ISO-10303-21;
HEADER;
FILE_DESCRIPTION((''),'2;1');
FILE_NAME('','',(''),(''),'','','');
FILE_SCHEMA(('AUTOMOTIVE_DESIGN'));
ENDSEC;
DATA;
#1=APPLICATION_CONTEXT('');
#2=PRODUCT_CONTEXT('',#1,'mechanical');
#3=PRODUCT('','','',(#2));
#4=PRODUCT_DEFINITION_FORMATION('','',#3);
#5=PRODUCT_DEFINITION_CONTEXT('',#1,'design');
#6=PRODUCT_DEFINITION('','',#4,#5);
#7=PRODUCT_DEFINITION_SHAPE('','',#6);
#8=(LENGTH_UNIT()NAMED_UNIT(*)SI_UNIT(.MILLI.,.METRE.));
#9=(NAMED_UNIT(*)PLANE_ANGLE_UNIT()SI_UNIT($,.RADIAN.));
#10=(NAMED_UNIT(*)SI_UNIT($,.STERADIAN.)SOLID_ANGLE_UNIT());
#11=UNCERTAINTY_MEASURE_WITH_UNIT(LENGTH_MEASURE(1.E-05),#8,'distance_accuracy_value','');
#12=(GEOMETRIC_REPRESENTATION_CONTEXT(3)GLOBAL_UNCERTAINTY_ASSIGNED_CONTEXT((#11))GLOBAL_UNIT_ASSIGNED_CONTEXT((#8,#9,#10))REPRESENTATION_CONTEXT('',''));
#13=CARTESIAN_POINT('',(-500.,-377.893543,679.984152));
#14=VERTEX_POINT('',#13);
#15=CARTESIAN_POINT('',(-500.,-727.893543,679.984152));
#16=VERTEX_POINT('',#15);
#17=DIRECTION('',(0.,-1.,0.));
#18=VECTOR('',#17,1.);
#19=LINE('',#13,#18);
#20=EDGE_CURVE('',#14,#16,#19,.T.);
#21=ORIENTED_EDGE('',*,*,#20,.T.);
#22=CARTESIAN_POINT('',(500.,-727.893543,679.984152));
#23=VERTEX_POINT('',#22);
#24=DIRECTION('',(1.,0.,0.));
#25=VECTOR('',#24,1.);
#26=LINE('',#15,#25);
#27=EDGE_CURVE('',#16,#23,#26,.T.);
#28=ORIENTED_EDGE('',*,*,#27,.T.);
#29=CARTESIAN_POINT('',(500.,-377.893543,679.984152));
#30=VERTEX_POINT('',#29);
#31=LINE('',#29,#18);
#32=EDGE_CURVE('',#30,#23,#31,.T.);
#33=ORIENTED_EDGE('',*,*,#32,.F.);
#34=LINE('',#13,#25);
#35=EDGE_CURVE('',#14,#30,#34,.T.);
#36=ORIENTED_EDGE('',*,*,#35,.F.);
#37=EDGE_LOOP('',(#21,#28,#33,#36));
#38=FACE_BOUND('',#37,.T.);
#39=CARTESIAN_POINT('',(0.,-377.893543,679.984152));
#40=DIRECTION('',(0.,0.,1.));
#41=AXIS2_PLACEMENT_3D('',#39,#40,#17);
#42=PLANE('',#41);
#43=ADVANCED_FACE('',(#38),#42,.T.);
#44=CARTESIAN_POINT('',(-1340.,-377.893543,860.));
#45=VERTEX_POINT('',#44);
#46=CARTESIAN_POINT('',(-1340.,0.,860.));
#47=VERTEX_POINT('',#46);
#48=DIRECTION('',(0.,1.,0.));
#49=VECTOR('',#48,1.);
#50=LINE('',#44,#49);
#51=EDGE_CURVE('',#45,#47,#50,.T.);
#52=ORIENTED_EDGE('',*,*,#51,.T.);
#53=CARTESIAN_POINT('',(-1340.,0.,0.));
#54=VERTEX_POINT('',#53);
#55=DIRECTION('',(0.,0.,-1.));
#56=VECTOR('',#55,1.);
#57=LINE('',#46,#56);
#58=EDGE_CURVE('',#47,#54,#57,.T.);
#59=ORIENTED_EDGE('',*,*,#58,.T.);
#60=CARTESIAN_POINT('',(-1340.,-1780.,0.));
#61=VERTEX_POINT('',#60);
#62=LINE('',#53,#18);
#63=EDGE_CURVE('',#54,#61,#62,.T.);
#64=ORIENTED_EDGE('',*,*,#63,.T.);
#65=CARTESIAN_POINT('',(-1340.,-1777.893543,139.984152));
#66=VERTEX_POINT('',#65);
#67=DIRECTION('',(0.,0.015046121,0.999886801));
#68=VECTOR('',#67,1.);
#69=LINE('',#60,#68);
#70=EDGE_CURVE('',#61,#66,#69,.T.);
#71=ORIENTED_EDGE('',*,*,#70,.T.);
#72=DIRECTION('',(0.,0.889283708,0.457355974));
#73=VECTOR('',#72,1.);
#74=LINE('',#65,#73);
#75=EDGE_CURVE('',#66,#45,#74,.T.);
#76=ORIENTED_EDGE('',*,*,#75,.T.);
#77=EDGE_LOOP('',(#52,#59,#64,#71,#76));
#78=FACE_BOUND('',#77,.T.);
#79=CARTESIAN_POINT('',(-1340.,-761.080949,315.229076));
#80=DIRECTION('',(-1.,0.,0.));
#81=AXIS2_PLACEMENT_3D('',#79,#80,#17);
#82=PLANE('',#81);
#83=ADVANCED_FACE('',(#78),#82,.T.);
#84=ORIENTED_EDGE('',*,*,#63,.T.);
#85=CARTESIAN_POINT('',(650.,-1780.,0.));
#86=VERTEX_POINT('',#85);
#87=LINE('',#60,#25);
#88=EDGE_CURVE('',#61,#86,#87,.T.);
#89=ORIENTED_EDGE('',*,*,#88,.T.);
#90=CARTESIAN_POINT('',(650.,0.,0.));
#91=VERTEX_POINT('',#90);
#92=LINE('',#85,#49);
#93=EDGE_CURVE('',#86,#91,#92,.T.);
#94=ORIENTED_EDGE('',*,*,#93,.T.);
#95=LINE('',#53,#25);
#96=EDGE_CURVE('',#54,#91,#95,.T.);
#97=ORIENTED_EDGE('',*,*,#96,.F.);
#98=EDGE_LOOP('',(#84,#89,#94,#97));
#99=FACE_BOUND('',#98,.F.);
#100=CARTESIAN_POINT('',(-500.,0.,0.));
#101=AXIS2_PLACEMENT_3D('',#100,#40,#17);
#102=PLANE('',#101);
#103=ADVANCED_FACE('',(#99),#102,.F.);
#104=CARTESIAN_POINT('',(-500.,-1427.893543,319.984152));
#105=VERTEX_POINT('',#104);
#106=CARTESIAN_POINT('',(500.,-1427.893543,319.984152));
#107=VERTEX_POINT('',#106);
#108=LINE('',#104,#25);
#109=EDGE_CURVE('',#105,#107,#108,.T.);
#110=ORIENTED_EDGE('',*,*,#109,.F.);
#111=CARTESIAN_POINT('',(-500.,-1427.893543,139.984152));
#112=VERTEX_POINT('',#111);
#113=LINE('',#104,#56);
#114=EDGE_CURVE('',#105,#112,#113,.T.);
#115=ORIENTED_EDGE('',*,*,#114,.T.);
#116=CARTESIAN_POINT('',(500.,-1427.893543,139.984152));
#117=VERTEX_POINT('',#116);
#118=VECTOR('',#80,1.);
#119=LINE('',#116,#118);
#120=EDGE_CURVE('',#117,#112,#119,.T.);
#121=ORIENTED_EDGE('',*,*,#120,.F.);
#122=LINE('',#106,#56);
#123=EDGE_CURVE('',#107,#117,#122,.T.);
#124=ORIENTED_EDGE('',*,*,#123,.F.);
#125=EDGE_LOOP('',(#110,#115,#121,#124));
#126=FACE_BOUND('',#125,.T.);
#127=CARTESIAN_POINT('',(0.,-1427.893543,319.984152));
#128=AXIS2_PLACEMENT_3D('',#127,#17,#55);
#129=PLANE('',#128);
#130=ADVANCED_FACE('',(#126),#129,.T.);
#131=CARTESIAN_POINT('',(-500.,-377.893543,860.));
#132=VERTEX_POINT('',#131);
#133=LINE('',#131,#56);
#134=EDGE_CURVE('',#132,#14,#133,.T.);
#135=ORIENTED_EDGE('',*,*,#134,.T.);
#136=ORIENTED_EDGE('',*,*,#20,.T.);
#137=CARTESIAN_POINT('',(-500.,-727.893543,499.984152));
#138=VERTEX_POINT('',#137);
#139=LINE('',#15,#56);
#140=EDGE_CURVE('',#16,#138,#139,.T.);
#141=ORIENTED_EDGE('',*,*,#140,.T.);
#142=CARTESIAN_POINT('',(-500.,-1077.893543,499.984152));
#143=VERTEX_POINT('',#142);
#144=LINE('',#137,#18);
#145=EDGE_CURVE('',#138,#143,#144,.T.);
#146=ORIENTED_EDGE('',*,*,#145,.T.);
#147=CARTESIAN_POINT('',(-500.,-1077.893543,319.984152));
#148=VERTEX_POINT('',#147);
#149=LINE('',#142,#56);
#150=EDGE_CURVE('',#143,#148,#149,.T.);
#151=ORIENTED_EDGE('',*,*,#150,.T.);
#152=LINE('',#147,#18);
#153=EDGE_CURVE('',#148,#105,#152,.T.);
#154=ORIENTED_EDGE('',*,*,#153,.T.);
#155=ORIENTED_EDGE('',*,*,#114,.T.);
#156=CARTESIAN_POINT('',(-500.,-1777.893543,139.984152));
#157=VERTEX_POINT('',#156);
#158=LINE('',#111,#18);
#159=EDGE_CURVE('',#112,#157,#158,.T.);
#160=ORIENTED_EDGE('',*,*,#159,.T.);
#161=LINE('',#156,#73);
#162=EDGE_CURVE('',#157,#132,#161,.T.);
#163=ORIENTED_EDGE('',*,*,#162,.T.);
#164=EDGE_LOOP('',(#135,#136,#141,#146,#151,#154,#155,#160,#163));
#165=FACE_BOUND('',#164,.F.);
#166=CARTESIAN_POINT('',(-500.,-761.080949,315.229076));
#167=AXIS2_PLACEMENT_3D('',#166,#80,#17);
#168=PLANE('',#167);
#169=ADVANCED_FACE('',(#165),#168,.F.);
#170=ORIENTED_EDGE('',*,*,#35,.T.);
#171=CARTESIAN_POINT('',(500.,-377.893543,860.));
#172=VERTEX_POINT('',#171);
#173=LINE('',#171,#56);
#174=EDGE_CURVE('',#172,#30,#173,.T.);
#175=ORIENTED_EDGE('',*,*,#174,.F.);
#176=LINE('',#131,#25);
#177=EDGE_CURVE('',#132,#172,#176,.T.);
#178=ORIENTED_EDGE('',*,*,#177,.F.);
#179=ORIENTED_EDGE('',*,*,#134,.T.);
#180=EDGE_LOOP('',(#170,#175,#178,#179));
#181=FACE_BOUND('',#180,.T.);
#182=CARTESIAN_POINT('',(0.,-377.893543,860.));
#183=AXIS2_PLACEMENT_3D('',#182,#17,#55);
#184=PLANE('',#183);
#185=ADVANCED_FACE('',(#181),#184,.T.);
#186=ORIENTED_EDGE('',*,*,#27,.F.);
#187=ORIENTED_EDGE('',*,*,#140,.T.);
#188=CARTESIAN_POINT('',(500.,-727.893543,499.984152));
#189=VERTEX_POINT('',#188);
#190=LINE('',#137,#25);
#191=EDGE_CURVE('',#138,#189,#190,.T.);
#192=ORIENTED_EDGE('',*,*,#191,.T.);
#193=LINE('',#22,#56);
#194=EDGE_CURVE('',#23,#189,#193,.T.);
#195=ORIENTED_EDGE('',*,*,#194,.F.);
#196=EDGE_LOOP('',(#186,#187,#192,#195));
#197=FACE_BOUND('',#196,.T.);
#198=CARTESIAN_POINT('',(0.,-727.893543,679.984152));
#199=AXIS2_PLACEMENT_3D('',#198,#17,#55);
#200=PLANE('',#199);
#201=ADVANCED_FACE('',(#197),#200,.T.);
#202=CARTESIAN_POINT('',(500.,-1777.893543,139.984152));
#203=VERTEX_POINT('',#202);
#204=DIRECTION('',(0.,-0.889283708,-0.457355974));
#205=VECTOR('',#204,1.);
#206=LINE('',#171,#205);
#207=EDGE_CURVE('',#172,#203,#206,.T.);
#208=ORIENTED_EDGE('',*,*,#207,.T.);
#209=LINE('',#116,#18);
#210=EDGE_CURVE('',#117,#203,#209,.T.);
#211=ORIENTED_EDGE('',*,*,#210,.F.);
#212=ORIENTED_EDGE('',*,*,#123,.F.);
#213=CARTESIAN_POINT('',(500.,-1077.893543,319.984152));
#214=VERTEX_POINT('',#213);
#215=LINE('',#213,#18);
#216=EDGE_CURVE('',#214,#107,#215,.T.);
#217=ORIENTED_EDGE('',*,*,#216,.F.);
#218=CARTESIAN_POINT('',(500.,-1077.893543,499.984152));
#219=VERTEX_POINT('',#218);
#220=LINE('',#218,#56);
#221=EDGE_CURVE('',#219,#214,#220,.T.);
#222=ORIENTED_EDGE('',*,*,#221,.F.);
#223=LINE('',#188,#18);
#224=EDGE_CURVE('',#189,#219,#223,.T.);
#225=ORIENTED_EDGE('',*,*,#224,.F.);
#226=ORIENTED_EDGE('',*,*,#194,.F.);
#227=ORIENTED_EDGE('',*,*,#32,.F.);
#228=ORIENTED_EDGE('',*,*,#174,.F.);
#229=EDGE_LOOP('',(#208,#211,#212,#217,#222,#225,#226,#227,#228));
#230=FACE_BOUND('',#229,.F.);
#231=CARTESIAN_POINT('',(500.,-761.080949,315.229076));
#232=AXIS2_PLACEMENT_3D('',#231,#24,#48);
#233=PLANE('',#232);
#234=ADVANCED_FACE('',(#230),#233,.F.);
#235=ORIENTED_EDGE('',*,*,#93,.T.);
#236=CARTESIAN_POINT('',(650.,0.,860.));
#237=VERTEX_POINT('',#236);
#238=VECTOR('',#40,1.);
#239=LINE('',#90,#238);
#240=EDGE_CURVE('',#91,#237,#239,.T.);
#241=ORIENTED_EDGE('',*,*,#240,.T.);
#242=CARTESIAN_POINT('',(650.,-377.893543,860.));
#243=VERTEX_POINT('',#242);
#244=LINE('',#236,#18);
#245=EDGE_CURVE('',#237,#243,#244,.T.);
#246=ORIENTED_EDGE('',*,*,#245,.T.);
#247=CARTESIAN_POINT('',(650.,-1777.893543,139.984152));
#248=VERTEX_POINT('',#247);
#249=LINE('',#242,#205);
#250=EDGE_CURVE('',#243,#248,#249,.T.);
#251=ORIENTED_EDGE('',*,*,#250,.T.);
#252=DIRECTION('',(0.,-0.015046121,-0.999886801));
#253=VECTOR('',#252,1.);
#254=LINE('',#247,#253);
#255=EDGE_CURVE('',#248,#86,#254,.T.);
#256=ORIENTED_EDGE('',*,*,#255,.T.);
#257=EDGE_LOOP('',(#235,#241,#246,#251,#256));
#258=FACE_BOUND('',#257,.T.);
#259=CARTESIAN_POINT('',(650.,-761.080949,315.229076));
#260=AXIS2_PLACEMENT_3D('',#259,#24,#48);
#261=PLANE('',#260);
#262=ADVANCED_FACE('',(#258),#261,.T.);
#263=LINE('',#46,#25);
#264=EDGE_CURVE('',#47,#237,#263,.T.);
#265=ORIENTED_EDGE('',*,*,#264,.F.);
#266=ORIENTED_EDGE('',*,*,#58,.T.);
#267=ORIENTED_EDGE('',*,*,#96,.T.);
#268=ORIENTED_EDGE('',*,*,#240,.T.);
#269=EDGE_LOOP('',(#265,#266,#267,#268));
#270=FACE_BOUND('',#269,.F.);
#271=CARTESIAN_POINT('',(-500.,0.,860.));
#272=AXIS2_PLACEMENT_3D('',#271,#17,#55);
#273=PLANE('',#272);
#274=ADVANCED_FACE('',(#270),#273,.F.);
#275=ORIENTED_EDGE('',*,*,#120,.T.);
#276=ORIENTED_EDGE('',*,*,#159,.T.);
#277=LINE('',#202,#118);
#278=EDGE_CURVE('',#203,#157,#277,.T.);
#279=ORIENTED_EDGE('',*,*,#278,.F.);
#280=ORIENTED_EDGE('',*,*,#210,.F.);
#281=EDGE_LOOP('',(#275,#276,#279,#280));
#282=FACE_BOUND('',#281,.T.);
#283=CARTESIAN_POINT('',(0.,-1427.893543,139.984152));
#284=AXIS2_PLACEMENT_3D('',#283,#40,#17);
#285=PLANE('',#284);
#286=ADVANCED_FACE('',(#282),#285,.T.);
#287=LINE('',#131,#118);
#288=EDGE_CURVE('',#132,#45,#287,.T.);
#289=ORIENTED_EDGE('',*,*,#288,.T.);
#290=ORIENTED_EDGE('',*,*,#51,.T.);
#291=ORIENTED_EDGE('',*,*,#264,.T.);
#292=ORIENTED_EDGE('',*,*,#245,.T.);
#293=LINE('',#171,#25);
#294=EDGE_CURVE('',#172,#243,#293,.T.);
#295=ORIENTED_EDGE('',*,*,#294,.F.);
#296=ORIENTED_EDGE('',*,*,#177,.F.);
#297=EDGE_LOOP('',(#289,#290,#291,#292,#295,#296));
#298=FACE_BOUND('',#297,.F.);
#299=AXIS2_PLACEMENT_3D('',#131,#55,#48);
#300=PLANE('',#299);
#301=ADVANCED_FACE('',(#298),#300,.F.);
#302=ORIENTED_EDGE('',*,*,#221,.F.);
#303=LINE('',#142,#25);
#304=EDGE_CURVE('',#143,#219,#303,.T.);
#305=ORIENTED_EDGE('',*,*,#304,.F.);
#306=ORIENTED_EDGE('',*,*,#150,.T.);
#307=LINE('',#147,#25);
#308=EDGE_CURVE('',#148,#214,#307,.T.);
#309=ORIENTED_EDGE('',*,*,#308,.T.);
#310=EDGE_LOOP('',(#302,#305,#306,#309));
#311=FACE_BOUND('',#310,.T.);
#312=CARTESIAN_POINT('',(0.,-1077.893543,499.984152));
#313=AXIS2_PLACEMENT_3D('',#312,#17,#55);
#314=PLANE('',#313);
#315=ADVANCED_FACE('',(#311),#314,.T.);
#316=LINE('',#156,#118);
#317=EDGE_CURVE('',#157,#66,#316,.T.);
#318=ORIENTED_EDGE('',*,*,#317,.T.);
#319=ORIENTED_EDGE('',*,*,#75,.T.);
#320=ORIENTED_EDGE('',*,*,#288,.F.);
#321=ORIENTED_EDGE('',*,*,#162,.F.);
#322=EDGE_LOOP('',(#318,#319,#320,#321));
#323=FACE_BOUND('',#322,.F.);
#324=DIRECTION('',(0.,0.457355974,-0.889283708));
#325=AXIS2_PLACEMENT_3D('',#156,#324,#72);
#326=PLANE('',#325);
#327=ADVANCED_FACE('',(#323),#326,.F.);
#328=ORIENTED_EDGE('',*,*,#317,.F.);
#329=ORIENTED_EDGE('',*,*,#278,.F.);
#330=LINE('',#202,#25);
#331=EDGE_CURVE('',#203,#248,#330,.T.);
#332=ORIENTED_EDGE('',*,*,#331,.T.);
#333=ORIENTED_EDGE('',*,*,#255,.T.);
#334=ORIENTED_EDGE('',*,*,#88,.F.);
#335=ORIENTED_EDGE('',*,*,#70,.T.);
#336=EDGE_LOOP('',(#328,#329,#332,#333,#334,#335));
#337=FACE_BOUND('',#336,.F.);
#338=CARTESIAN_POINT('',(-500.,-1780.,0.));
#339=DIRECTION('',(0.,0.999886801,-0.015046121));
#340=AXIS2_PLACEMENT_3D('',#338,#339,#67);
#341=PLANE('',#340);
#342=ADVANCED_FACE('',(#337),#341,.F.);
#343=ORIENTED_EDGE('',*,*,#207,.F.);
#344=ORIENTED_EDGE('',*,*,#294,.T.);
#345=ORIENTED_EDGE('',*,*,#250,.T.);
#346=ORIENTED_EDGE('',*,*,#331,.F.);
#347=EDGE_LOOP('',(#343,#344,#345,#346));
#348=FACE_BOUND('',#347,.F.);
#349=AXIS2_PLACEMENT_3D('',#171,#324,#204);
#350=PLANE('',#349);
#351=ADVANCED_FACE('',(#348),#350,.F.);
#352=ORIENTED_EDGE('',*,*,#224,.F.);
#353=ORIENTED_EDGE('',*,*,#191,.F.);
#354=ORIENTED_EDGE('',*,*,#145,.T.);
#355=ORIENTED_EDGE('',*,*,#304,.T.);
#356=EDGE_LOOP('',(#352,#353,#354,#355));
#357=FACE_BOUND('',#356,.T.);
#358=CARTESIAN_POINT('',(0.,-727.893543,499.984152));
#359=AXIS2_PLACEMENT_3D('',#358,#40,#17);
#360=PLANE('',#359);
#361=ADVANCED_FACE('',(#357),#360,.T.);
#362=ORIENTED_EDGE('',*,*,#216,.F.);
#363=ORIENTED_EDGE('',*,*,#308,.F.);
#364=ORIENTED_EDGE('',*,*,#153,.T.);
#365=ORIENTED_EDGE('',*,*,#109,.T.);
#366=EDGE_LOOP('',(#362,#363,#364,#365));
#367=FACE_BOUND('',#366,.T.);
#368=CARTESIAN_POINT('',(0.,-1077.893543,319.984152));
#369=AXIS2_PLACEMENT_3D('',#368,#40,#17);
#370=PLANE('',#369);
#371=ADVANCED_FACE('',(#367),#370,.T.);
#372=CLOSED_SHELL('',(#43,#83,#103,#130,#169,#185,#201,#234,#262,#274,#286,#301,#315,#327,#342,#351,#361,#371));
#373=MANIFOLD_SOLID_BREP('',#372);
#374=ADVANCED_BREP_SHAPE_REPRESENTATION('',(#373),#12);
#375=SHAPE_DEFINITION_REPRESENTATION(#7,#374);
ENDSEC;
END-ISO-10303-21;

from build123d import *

# Parameters (mm, degrees)
F1_DEPTH      = 500
F1_DEPTH_BACK = 500
F3_DEPTH      = 150
F5_DEPTH      = 840


with BuildPart() as f1:
    # F0 (on Right) → F1 (new body, two sides)
    with BuildSketch(Plane.YZ) as f1_sk:
        Polygon((-1780, 0), (0, 0), (0, 860), (-377.893543, 860), (-377.893543, 679.984152), (-727.893543, 679.984152), (-727.893543, 499.984152), (-1077.893543, 499.984152), (-1077.893543, 319.984152), (-1427.893543, 319.984152), (-1427.893543, 139.984152), (-1777.893543, 139.984152), align=None)
    extrude(amount=F1_DEPTH)
    extrude(f1_sk.sketch, amount=-F1_DEPTH_BACK)

    # F2 (on face) → F3 (join)
    with BuildSketch(Plane.YZ.offset(500)):
        Polygon((0, 860), (-377.893543, 860), (-1777.893543, 139.984152), (-1780, 0), (0, 0), align=None)
    extrude(amount=F3_DEPTH)

    # F4 (on face) → F5 (join)
    with BuildSketch(Plane(origin=(-500, 0, 0), x_dir=(0, -1, 0), z_dir=(-1, 0, 0))):
        Polygon((1780, 0), (1777.893543, 139.984152), (377.893543, 860), (0, 860), (0, 0), align=None)
    extrude(amount=F5_DEPTH)


solid = f1.part
